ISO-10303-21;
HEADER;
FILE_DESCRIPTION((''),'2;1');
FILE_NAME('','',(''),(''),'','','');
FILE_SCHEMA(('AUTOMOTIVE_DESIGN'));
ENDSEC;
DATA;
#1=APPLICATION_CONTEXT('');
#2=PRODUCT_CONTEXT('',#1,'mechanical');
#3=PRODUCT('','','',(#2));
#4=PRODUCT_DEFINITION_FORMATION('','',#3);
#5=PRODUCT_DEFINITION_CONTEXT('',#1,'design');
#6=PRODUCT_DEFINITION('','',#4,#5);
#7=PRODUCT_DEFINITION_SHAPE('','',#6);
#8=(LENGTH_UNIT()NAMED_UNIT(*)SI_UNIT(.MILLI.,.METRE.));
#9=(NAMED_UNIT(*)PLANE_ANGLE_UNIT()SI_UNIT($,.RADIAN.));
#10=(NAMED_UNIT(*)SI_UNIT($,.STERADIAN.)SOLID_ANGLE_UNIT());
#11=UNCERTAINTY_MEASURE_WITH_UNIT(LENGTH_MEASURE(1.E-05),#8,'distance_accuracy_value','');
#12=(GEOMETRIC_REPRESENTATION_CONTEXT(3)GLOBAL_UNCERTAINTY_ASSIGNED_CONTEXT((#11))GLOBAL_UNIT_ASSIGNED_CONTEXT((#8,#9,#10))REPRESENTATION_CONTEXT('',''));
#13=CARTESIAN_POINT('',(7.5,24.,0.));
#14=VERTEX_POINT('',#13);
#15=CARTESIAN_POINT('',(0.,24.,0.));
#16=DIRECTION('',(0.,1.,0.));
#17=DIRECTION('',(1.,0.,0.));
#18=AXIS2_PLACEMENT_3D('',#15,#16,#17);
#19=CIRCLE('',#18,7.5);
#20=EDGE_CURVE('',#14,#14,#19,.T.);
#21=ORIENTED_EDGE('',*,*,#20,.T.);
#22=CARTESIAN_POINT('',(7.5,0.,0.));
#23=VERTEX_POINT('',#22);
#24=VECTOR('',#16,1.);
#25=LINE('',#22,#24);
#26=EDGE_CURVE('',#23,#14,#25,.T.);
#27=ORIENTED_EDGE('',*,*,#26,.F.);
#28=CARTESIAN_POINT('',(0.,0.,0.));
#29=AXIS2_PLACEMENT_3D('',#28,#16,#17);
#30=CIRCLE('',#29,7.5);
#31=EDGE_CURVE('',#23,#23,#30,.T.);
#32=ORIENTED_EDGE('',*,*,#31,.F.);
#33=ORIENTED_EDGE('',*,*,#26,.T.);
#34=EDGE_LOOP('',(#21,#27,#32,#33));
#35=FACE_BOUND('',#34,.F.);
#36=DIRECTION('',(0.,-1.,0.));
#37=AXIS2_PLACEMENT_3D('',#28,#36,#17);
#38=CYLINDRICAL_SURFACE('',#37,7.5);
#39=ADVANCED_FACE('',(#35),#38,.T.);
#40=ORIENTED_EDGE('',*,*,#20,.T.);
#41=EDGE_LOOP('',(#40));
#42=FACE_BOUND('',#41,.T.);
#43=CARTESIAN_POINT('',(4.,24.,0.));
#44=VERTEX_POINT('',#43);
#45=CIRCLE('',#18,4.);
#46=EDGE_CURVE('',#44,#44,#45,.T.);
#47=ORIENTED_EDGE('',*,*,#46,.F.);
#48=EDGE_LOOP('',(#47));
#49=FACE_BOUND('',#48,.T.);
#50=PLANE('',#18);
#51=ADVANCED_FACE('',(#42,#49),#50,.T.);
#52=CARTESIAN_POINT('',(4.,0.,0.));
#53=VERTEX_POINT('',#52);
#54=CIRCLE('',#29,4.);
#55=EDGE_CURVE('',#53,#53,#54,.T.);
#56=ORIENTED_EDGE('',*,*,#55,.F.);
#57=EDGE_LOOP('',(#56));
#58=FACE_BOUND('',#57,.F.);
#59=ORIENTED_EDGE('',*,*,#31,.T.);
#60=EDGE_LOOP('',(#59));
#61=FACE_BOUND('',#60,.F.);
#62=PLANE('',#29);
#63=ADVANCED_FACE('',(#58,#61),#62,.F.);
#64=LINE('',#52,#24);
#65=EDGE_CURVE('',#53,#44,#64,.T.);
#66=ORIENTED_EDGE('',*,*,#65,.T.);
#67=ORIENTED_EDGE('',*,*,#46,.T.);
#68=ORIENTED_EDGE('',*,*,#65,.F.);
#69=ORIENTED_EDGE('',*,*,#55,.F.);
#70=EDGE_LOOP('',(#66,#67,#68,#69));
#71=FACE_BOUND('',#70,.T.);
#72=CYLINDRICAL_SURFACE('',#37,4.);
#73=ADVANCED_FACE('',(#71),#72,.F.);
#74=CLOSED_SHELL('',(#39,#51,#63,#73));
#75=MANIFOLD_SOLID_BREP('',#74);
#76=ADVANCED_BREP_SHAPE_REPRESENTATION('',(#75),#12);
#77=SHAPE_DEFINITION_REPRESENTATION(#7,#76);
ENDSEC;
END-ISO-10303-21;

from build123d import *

# Parameters (mm, degrees)
ESBO_O1_R                = 7.5
ESBO_O1_R_2              = 4
RESSALTO_EXTRUS_O1_DEPTH = 24


with BuildPart() as part:
    # Esboço1 → Ressalto-extrusão1 (new body)
    with BuildSketch(Plane(origin=(0, 0, 0), x_dir=(1, 0, 0), z_dir=(0, 1, 0))):
        Circle(ESBO_O1_R)
        Circle(ESBO_O1_R_2, mode=Mode.SUBTRACT)
    extrude(amount=RESSALTO_EXTRUS_O1_DEPTH)


solid = part.part
